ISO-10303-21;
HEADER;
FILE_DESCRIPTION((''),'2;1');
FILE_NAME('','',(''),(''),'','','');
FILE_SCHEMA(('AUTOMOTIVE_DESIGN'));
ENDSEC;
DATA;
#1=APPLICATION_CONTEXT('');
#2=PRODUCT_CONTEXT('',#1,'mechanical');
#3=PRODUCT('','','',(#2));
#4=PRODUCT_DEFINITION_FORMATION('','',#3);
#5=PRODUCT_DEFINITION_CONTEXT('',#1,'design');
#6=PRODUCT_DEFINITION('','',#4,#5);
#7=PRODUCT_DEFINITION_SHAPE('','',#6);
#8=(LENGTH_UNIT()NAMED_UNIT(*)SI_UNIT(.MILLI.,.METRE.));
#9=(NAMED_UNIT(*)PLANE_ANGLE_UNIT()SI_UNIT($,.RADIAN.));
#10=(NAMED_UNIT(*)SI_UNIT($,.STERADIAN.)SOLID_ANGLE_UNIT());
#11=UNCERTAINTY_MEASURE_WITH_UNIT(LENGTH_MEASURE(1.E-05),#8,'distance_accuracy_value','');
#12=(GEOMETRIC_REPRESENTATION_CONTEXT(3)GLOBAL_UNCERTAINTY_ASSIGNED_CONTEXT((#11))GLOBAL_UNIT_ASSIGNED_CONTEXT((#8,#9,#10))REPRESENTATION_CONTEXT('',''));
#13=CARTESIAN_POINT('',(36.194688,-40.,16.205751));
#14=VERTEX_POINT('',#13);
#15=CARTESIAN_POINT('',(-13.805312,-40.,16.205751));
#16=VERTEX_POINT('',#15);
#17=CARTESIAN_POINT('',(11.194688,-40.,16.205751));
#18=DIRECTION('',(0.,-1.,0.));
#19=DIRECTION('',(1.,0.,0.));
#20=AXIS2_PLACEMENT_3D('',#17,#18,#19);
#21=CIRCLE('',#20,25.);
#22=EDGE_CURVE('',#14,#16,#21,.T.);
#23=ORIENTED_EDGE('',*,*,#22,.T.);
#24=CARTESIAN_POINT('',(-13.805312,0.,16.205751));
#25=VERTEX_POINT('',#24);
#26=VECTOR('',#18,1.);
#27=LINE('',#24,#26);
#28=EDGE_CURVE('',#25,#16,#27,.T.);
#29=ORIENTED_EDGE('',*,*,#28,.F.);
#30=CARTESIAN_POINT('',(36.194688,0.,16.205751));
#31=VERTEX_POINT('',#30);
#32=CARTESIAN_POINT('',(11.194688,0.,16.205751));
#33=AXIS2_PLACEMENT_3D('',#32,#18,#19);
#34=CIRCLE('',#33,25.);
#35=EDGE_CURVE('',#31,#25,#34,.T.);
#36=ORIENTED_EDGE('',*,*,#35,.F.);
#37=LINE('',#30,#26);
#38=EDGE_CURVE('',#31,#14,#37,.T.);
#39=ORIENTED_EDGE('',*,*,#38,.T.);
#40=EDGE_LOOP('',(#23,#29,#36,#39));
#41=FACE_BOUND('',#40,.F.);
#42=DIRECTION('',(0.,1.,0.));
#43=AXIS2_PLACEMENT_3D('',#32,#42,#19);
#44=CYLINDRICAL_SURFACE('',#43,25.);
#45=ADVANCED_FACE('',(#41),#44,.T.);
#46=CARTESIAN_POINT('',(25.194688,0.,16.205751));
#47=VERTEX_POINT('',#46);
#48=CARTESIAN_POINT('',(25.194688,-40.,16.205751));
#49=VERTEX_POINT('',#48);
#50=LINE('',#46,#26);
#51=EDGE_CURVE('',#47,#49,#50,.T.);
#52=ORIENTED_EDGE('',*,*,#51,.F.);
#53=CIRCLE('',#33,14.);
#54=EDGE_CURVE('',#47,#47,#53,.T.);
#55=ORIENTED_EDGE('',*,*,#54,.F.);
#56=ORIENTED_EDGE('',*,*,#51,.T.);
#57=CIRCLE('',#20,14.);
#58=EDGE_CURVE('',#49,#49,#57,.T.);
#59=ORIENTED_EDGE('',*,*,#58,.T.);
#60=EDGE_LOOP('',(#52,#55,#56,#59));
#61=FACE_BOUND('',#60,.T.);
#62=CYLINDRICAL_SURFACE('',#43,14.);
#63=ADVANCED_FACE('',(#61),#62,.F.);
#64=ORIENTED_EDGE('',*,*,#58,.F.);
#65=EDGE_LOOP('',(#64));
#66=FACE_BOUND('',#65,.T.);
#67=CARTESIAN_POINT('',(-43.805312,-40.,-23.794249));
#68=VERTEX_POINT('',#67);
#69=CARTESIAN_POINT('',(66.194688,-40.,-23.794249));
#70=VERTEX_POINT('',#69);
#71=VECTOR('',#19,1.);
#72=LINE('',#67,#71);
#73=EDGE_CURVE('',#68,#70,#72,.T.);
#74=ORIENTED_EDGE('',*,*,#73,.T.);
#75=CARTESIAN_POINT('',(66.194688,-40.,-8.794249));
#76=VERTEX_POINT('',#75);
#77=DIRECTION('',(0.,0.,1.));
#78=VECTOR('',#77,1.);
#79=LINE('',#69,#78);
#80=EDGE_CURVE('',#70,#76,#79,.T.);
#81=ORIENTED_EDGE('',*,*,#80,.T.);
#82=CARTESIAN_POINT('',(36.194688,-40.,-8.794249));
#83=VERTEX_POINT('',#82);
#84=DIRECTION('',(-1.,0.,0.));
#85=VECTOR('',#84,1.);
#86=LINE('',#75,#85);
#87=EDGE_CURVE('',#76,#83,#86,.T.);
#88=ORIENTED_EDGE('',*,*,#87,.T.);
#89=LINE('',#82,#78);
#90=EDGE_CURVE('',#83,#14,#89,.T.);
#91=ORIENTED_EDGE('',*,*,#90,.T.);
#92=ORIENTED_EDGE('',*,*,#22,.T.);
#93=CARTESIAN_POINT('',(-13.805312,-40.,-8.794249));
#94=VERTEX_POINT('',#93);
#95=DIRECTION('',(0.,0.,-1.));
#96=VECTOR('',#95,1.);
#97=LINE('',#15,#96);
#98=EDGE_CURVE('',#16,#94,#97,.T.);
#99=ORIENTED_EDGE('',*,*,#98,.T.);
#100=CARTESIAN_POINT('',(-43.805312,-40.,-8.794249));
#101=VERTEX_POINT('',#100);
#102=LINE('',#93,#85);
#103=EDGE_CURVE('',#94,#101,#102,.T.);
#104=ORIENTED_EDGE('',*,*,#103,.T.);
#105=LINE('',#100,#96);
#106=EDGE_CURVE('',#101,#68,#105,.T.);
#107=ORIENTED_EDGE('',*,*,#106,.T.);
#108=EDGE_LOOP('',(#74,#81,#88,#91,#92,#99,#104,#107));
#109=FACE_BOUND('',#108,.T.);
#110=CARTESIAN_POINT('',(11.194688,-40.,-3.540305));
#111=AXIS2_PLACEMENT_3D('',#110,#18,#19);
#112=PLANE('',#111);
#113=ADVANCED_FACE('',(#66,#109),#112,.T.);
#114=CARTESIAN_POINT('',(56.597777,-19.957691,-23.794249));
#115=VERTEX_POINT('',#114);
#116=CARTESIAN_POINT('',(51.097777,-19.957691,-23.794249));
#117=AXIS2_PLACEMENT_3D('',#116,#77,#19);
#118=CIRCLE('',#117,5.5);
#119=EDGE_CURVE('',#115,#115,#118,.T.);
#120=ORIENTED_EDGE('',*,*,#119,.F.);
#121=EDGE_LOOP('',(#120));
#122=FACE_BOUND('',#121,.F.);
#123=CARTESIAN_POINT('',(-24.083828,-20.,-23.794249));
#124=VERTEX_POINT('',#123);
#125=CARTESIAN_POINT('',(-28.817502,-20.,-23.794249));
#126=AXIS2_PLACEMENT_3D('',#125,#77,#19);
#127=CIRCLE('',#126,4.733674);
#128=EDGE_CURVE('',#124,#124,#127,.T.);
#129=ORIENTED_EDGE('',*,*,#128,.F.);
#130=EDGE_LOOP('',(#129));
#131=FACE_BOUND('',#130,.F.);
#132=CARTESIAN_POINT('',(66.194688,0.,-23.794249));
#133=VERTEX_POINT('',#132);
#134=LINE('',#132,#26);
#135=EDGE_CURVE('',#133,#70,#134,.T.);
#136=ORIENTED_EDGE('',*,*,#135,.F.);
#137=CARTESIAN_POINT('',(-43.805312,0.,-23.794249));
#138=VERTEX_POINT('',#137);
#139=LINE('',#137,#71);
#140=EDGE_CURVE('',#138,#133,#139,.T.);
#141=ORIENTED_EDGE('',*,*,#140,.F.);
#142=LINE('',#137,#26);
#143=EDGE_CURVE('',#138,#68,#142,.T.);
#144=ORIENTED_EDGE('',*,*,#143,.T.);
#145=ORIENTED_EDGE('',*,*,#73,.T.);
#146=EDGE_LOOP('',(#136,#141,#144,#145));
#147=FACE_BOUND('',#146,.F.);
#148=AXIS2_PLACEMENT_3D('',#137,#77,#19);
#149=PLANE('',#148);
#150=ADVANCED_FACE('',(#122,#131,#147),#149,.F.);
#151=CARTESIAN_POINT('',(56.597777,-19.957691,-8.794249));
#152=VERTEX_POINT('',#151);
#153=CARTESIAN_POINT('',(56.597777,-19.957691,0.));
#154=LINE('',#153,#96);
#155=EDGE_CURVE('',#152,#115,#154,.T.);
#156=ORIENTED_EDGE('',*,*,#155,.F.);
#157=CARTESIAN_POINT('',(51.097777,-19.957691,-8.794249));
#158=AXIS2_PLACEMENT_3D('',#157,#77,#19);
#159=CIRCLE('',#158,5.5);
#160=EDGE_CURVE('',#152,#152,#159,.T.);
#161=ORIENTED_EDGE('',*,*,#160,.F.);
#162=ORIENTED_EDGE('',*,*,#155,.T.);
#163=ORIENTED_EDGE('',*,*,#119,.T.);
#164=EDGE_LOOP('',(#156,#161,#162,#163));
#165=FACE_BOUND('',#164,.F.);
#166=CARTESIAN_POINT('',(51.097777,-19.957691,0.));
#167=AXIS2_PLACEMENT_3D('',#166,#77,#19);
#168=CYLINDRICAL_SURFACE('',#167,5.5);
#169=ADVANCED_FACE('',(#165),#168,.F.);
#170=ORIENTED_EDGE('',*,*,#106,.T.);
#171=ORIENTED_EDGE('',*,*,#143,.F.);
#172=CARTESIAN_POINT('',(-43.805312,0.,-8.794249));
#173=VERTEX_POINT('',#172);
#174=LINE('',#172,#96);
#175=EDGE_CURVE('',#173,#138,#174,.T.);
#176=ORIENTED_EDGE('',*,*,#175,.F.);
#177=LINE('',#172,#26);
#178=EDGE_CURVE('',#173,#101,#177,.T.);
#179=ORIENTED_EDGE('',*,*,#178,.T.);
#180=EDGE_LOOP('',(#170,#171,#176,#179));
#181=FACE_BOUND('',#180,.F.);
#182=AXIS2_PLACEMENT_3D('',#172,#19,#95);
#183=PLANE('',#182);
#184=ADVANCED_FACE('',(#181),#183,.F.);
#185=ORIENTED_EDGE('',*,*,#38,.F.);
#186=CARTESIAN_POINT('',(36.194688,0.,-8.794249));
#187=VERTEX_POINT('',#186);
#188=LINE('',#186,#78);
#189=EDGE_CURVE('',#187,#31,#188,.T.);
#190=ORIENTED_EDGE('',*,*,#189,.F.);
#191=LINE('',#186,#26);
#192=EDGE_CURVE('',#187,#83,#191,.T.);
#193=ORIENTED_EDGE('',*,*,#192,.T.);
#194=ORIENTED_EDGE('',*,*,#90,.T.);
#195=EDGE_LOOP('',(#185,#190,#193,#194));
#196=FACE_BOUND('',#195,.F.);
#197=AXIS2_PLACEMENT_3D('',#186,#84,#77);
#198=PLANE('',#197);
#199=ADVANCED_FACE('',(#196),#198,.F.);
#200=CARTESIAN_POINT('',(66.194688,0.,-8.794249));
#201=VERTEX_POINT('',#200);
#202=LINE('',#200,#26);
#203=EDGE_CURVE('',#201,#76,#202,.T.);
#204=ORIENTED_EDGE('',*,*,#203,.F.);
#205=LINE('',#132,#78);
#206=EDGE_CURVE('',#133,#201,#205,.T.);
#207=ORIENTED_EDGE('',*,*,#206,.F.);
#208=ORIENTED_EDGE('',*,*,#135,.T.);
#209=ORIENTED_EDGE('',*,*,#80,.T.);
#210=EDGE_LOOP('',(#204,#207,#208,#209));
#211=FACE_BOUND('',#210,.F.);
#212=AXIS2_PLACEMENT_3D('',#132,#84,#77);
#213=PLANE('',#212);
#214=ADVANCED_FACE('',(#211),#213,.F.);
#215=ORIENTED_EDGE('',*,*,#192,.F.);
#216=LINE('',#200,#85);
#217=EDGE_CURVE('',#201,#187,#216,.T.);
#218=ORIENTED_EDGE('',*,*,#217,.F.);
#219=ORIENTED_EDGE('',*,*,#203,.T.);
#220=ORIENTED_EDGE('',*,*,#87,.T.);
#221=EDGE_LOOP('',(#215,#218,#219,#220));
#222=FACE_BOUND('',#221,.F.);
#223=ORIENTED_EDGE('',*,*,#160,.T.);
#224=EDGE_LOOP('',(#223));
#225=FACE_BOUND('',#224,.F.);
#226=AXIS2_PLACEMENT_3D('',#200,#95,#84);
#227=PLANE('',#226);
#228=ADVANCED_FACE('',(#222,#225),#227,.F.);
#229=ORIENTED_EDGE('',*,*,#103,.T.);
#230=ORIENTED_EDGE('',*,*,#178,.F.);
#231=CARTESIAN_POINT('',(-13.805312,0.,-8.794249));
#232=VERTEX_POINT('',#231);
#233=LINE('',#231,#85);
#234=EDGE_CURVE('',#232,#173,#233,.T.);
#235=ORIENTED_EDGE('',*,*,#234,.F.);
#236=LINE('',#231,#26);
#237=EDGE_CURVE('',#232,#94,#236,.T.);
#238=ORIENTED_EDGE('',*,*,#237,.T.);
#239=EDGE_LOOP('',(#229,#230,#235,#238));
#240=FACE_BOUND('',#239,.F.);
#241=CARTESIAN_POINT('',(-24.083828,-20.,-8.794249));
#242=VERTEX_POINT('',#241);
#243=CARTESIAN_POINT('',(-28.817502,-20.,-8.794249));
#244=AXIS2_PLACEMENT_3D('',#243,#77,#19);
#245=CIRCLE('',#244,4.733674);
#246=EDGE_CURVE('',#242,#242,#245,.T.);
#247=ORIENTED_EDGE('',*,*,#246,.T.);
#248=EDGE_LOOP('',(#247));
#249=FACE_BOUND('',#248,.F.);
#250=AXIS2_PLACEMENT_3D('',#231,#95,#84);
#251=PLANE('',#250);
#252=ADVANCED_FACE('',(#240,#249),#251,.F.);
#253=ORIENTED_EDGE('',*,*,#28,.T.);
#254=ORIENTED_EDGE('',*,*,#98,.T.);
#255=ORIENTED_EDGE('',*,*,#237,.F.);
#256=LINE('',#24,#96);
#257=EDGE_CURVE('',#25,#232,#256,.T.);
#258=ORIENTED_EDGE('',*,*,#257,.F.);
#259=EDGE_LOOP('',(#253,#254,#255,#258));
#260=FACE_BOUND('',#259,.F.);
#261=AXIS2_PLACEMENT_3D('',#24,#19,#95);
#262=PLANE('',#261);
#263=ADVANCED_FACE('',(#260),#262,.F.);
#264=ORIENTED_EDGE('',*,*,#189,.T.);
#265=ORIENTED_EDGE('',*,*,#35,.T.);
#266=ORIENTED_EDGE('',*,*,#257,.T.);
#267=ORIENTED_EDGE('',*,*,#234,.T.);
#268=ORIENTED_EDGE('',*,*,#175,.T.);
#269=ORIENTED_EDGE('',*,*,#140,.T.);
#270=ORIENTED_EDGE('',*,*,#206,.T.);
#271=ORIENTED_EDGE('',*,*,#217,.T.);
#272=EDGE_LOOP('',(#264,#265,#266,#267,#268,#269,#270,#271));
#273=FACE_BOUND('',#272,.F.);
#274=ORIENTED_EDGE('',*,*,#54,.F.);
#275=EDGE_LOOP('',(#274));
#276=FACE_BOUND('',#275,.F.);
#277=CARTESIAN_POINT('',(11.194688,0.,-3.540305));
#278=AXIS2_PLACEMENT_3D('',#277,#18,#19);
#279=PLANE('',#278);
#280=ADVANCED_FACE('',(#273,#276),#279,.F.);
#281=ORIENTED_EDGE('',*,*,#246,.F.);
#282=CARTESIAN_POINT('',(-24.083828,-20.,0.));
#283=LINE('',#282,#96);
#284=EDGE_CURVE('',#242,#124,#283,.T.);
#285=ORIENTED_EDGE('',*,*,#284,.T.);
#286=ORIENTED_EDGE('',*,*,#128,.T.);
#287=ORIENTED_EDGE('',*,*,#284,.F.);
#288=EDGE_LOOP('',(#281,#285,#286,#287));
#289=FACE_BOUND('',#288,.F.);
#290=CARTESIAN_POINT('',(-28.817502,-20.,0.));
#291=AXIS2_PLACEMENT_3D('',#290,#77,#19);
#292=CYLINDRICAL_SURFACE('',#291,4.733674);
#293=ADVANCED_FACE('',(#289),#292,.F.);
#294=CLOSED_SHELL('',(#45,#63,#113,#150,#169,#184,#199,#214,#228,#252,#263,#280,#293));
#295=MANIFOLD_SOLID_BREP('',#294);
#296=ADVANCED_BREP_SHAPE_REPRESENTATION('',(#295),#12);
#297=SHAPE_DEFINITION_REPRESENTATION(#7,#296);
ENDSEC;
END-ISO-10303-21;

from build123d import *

# Parameters (mm, degrees)
F0_R     = 14
F1_DEPTH = 40
F2_R     = 4.733674
F2_R_2   = 5.5
F3_DEPTH = 25


with BuildPart() as f1:
    # F0 (on Front) → F1 (new body)
    with BuildSketch(Plane.XZ):
        with BuildLine():
            Line((-43.805312, -8.794249), (-43.805312, -23.794249))
            Line((-43.805312, -23.794249), (66.194688, -23.794249))
            Line((66.194688, -23.794249), (66.194688, -8.794249))
            Line((66.194688, -8.794249), (36.194688, -8.794249))
            Line((36.194688, -8.794249), (36.194688, 16.205751))
            ThreePointArc((36.194688, 16.205751), (11.194688, 41.205751), (-13.805312, 16.205751))
            Line((-13.805312, 16.205751), (-13.805312, -8.794249))
            Line((-13.805312, -8.794249), (-43.805312, -8.794249))
        make_face()
        with Locations((11.194688, 16.205751)):
            Circle(F0_R, mode=Mode.SUBTRACT)
    extrude(amount=F1_DEPTH)

    # F2 (on Top) → F3 (cut)
    with BuildSketch(Plane.XY):
        with Locations((-28.817502, -20)):
            Circle(F2_R)
        with Locations((51.097777, -19.957691)):
            Circle(F2_R_2)
    extrude(amount=-F3_DEPTH, mode=Mode.SUBTRACT)


solid = f1.part
